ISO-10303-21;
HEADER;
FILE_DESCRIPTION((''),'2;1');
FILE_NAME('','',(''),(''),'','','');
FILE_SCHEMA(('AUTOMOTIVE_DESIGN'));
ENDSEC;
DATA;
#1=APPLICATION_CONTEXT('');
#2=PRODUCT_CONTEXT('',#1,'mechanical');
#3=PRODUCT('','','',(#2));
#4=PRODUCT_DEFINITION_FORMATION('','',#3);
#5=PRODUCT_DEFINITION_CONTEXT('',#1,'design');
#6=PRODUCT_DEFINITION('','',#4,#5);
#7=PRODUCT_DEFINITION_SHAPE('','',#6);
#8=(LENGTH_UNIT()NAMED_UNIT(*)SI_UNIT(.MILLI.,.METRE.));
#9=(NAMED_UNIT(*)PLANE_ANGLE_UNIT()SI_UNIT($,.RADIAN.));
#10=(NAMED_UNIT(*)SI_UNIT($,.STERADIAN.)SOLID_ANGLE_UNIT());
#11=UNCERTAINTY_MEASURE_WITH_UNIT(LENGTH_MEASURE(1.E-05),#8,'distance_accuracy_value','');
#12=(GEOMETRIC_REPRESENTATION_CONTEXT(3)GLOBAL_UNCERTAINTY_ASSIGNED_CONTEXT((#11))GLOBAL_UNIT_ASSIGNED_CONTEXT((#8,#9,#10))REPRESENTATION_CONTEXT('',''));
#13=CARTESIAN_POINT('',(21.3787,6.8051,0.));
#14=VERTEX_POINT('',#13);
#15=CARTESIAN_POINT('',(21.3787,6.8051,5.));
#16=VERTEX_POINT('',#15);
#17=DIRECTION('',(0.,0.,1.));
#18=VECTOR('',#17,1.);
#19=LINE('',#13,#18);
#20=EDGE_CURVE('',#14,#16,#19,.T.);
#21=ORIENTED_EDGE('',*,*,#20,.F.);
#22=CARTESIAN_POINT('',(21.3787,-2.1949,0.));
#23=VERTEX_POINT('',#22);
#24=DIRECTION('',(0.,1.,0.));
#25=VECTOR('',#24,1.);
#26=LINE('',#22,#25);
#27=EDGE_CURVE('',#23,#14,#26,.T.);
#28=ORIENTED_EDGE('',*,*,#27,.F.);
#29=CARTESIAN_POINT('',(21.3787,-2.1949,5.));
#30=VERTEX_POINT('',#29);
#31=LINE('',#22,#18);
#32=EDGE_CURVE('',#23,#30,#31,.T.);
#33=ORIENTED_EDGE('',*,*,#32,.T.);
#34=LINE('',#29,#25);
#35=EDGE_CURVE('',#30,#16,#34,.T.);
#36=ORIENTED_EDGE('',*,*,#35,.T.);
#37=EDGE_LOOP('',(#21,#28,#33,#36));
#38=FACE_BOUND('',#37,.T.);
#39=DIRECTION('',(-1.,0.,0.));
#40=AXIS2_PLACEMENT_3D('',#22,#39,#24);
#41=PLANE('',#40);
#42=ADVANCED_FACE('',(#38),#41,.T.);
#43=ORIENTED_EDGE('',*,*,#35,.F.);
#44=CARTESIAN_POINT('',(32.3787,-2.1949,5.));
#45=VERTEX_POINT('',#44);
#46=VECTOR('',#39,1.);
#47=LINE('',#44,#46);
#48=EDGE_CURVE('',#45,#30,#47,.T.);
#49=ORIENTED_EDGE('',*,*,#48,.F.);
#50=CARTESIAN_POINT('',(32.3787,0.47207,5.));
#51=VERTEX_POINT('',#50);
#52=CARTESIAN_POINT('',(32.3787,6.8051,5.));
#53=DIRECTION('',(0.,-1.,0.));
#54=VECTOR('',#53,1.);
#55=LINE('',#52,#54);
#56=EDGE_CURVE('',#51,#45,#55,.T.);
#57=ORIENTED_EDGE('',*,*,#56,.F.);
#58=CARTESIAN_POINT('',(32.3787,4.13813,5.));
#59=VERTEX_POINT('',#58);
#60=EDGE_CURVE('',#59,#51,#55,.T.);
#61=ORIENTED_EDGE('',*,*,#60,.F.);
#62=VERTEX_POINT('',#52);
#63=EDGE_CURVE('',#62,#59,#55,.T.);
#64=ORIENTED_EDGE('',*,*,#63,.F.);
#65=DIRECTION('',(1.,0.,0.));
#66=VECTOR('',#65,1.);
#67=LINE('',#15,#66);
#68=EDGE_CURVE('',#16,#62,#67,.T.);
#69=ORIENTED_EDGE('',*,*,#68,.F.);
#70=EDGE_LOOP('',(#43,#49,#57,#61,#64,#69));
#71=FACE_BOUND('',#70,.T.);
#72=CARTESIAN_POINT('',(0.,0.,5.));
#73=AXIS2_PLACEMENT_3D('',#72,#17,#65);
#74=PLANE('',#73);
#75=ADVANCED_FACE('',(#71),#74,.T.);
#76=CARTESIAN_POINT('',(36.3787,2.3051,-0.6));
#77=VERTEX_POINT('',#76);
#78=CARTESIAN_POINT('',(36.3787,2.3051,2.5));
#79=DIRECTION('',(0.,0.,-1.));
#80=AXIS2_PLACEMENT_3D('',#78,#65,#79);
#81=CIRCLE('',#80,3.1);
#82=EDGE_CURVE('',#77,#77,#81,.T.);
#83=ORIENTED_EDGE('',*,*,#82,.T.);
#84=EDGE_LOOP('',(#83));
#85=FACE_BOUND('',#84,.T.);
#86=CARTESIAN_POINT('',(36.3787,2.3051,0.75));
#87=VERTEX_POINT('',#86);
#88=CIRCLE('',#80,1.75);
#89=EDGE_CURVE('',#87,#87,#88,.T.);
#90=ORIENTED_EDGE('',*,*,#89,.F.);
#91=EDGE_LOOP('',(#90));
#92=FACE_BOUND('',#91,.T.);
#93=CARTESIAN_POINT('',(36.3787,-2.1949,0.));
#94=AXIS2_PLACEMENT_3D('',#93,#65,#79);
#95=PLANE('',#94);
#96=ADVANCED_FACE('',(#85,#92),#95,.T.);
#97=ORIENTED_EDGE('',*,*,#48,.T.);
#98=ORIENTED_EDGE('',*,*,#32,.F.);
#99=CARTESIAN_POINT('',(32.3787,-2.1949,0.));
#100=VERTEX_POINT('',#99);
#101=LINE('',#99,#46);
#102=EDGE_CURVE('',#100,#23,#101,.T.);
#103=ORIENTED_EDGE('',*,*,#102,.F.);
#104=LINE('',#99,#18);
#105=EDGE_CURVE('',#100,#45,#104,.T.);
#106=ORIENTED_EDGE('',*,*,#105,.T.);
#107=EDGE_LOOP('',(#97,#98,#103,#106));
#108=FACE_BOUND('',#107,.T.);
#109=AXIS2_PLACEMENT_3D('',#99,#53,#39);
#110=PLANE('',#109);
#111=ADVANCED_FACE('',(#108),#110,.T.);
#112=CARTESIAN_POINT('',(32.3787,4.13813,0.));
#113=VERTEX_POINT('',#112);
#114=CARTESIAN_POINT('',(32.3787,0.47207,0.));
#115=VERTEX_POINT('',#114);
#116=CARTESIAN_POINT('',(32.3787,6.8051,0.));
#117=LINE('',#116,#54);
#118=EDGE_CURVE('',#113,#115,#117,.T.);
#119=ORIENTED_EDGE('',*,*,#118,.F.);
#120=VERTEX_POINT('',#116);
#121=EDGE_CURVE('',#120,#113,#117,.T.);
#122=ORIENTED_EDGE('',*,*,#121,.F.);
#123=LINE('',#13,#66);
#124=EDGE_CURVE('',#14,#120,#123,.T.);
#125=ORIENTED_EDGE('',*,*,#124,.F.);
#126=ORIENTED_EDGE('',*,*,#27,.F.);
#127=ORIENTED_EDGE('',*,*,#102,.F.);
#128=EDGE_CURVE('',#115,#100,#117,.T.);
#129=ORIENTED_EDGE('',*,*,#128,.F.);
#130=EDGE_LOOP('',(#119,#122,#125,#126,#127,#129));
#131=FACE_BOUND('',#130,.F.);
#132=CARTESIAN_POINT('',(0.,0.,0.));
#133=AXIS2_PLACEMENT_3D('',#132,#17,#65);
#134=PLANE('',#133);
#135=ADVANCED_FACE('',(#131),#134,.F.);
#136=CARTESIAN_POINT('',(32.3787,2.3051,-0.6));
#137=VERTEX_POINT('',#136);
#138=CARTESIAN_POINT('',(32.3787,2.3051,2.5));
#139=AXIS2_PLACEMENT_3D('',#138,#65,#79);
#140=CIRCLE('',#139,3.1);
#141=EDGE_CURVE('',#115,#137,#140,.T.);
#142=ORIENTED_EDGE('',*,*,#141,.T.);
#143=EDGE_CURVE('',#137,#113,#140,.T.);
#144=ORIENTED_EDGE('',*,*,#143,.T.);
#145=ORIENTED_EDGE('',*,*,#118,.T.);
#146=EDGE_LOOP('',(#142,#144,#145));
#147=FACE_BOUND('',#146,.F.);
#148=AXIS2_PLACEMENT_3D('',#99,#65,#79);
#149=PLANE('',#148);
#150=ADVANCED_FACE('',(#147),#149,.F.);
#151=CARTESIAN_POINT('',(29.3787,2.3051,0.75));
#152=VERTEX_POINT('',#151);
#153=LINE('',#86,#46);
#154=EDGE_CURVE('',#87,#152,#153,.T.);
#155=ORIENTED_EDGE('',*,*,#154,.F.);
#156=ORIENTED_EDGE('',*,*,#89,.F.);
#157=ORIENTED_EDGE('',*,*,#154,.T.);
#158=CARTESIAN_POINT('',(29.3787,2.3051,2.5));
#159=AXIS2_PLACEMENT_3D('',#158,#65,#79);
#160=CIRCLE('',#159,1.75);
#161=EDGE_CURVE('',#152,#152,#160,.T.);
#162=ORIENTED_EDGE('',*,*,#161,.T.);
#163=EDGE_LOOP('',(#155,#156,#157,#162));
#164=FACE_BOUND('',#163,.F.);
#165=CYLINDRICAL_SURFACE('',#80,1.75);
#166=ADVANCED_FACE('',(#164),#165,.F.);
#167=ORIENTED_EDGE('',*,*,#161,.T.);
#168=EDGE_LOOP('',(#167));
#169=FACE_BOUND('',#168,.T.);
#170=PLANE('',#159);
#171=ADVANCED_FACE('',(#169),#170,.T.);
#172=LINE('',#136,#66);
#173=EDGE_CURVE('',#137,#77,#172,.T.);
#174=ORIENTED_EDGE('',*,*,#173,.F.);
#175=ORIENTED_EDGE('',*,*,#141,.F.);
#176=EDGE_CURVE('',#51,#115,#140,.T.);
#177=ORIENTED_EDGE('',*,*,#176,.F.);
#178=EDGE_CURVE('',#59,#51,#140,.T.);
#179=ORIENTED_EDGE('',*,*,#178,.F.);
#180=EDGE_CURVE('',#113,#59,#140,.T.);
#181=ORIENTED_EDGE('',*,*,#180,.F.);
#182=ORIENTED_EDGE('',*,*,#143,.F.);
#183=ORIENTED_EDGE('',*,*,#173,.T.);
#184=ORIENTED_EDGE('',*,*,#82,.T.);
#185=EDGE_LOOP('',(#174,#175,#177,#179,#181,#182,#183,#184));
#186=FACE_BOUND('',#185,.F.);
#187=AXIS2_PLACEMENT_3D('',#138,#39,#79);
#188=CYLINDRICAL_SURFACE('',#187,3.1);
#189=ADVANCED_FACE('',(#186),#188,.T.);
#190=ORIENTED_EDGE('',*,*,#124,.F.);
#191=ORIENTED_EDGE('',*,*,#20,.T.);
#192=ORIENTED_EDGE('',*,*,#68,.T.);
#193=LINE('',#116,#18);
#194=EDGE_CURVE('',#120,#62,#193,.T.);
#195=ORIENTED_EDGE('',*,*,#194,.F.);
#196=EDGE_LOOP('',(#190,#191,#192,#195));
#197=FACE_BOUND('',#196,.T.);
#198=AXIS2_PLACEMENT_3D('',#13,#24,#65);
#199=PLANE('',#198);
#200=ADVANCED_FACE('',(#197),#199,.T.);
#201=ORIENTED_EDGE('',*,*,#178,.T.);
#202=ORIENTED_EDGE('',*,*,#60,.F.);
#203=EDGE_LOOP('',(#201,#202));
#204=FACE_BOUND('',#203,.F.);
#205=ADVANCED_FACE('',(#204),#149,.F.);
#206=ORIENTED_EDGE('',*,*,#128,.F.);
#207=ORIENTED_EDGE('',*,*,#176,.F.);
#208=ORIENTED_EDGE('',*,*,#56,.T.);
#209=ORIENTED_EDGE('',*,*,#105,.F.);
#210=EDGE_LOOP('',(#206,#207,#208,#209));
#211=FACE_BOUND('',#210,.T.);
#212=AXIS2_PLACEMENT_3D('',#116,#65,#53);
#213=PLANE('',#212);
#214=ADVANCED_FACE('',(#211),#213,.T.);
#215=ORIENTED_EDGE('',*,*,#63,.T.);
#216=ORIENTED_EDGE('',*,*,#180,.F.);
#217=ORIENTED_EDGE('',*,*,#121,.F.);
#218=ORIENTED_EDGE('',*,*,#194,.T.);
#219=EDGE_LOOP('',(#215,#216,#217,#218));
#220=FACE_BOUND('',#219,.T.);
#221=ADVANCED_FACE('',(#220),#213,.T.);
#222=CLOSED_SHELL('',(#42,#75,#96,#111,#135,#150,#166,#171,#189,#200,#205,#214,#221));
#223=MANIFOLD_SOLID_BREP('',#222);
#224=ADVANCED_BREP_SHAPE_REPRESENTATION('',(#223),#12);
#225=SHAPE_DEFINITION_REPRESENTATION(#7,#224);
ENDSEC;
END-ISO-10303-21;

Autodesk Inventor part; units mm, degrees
ref_plane "YZ Plane" through (0, 0, 0) normal (1, 0, 0) x (0, 1, 0)
ref_plane "XZ Plane" through (0, 0, 0) normal (0, 1, 0) x (-1, 0, 0)
ref_plane "XY Plane" through (0, 0, 0) normal (0, 0, 1) x (1, 0, 0)
ref_plane "Work Plane1" through (0, 0, 0) normal (0, 0, 1) x (1, 0, 0)
sketch "Sketch1" plane through (0, 0, 0) normal (0, 0, 1) x (1, 0, 0)
  line L0 (21.3787, 6.8051) -> (32.3787, 6.8051)
  line L1 (32.3787, 6.8051) -> (32.3787, -2.1949)
  line L2 (32.3787, -2.1949) -> (21.3787, -2.1949)
  line L3 (21.3787, -2.1949) -> (21.3787, 6.8051)
  point P0 (0, 0)
  dimension "d0" = 11
  dimension "d2" = 9
extrude "Extrusion1" add sketch "Sketch1" along normal blind 5
sketch "Sketch2" plane through (32.3787, -2.1949, 0) normal (1, 0, 0) x (0, 0, -1)
  circle A0 centre (-2.5, 4.5) radius 3.1
  point P0 (0, 2.1949)
  dimension "d5" = 6.2
extrude "Extrusion2" add sketch "Sketch2" along normal blind 4
sketch "Sketch3" plane through (36.3787, 2.3051, 2.5) normal (1, 0, 0) x (0, 0, -1)
  circle A0 centre (0, 0) radius 3.1 projected
  circle A1 centre (0, 0) radius 1.75
  point P0 (2.5, -2.3051)
  dimension "d9" = 3.5
extrude "Extrusion3" cut sketch "Sketch3" against normal blind 7 contours A1
properties part number "nanopc_t4_headphone"
